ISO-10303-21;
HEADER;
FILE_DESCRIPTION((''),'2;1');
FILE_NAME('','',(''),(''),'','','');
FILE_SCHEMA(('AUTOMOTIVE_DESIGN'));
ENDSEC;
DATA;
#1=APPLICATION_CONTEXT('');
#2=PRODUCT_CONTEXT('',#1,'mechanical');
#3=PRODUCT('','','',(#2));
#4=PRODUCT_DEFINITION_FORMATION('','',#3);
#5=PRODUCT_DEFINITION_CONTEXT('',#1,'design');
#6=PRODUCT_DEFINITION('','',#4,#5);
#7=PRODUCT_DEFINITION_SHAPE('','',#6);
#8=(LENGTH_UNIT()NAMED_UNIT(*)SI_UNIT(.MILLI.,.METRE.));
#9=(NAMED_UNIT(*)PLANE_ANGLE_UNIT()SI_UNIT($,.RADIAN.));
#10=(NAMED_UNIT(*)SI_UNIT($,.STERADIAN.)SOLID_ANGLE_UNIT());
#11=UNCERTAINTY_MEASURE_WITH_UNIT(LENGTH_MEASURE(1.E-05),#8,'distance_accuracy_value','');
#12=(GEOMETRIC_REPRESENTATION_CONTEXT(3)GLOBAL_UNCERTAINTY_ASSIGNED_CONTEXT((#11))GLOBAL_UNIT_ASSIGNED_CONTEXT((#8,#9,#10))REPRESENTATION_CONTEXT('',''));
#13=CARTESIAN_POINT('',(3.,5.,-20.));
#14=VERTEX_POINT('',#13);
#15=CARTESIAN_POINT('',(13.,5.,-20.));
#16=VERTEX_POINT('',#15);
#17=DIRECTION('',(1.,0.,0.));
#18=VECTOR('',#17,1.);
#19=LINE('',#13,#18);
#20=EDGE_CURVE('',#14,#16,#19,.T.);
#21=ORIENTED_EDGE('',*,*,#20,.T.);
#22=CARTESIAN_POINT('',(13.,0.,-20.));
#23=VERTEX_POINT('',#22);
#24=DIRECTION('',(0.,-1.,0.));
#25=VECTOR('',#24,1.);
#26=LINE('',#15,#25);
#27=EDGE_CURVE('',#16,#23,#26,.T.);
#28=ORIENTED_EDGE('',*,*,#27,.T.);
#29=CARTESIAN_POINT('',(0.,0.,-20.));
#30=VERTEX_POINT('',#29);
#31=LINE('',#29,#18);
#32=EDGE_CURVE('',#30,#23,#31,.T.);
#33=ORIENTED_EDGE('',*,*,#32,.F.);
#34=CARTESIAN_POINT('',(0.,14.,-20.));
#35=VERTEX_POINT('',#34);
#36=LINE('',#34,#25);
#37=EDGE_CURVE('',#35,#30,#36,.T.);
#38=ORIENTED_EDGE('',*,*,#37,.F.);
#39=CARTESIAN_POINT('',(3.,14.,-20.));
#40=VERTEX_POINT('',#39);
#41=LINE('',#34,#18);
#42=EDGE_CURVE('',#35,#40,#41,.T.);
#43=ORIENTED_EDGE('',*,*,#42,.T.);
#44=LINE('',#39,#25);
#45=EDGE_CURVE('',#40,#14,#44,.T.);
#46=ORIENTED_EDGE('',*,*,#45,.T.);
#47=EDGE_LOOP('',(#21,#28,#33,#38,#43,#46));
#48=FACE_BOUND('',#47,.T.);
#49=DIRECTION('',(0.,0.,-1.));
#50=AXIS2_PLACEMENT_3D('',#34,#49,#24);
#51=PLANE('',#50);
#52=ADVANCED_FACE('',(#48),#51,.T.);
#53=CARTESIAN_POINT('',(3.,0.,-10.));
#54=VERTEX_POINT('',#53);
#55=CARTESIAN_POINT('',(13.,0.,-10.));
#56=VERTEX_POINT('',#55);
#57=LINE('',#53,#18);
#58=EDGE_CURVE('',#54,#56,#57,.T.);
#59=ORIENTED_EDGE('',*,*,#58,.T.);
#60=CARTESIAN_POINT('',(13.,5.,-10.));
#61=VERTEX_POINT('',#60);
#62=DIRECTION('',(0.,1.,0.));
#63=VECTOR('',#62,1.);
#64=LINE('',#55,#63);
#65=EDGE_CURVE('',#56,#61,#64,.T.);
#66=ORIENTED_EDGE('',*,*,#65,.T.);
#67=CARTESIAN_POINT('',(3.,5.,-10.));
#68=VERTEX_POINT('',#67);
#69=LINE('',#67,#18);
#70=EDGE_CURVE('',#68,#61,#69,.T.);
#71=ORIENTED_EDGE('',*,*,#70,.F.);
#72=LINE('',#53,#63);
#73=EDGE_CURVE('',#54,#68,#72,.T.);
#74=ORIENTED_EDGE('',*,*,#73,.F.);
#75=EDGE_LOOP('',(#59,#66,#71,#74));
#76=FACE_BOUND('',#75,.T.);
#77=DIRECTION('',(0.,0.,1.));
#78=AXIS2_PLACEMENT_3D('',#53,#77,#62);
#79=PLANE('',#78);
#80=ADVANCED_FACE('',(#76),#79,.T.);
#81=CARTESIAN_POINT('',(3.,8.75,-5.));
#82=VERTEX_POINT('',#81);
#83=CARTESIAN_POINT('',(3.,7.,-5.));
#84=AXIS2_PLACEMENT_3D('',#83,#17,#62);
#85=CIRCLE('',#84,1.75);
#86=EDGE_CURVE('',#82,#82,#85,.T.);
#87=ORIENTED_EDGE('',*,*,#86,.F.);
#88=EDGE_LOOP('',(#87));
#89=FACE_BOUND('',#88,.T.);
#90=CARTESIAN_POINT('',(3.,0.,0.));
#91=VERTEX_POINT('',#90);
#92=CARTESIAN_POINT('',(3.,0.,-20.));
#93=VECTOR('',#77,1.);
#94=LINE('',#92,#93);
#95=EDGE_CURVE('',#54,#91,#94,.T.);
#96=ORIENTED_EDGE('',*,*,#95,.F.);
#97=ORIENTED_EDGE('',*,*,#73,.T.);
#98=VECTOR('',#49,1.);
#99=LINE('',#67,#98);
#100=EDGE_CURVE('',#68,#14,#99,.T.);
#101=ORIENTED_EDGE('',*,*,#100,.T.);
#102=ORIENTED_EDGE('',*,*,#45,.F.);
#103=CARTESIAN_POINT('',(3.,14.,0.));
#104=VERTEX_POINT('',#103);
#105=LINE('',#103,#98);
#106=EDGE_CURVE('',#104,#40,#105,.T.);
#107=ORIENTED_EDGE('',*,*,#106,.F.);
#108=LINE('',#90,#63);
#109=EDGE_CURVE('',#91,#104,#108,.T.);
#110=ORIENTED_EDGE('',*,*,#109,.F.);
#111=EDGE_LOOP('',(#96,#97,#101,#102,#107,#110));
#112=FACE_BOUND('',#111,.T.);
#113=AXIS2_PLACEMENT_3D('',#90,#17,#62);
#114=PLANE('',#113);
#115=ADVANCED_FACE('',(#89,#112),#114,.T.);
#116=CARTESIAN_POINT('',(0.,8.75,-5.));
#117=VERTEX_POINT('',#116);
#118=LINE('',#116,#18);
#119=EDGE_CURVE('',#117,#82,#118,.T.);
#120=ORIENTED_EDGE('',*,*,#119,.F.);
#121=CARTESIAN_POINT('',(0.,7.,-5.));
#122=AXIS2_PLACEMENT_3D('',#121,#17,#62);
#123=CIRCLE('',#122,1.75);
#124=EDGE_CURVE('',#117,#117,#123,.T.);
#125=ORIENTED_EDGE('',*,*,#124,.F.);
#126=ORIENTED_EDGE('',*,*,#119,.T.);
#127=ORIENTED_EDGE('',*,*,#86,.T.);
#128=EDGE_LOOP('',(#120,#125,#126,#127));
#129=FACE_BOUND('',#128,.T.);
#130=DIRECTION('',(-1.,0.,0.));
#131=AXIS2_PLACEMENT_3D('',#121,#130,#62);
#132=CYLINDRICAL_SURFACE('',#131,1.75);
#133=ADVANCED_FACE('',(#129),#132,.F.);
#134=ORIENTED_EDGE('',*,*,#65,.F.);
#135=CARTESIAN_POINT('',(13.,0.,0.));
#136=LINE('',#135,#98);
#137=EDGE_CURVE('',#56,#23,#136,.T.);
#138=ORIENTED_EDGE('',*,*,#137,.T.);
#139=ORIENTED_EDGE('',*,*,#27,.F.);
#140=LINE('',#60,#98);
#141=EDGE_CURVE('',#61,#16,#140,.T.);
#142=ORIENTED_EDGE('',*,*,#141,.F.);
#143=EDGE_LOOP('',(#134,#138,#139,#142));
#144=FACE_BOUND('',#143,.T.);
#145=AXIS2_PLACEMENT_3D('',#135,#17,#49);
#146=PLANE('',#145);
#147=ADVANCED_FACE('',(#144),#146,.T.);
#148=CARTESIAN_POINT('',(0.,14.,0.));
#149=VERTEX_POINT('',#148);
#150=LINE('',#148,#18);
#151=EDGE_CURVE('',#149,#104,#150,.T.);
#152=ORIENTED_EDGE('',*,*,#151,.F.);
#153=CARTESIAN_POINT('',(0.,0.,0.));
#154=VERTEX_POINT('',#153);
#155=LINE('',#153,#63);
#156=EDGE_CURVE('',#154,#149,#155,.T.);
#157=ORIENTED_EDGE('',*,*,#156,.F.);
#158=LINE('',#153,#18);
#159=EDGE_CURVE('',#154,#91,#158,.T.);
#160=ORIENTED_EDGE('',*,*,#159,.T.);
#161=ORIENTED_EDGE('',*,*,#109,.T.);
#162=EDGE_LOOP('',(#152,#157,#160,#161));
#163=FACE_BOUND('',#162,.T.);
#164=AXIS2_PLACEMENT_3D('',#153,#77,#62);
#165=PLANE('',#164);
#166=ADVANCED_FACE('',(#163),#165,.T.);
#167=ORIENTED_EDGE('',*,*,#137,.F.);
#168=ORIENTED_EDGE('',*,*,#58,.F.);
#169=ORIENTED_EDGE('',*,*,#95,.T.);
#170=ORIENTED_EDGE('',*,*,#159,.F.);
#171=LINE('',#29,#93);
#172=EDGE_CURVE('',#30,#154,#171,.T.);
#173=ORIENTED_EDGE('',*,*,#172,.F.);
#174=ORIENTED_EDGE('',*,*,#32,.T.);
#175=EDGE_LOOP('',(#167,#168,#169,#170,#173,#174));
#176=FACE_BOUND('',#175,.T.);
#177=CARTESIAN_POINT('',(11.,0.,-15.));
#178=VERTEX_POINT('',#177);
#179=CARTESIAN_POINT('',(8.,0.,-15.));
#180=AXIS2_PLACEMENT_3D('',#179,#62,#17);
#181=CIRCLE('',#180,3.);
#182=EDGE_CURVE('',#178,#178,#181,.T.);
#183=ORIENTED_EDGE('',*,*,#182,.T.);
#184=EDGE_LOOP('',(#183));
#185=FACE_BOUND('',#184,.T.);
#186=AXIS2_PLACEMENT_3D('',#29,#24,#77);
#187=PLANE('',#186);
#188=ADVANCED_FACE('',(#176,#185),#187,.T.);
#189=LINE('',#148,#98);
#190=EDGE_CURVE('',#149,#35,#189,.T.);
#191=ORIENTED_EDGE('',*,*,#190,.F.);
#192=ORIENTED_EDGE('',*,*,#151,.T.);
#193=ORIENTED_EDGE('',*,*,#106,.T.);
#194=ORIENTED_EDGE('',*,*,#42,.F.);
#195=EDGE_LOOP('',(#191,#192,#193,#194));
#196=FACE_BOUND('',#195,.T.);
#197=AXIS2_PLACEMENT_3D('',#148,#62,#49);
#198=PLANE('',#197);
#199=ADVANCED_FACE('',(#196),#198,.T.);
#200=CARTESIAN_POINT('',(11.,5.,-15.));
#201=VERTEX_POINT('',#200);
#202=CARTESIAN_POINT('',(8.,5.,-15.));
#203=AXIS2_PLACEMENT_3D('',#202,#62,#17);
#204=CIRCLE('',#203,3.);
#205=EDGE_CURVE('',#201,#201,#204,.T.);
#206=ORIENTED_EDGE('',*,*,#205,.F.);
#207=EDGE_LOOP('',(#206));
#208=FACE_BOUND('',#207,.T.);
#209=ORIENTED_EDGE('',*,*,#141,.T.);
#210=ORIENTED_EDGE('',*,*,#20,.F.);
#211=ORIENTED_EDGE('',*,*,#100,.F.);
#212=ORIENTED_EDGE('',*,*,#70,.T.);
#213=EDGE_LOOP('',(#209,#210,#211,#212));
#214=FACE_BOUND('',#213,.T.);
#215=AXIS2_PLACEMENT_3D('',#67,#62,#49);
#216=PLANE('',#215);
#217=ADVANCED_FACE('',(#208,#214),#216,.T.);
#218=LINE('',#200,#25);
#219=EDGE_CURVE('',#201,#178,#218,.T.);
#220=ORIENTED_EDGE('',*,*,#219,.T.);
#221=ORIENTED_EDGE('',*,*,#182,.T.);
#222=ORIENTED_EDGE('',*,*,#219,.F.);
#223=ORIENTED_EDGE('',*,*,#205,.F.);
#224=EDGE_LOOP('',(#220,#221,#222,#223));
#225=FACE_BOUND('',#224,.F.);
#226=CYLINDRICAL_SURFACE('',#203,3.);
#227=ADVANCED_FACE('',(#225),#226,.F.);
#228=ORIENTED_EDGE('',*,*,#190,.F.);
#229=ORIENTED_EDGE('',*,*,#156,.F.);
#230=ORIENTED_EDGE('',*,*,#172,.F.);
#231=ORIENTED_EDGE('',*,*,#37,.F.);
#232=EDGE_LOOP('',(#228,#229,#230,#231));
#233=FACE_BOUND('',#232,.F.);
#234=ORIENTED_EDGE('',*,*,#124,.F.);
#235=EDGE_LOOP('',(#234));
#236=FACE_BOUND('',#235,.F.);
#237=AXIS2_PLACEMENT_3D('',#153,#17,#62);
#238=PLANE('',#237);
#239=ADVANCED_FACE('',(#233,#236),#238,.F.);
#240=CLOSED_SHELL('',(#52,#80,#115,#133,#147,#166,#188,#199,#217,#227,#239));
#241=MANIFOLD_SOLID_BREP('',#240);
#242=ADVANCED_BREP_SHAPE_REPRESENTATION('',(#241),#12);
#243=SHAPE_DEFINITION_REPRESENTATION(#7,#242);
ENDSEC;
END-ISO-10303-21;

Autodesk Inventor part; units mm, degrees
ref_plane "YZ Plane" through (0, 0, 0) normal (1, 0, 0) x (0, 1, 0)
ref_plane "XZ Plane" through (0, 0, 0) normal (0, 1, 0) x (-1, 0, 0)
ref_plane "XY Plane" through (0, 0, 0) normal (0, 0, 1) x (1, 0, 0)
sketch "Sketch2" plane through (0, 0, 0) normal (1, 0, 0) x (0, 1, 0)
  line L0 (0, 0) -> (14, 0)
  line L1 (14, 0) -> (14, -20)
  line L2 (14, -20) -> (0, -20)
  line L3 (0, -20) -> (0, 0)
  circle A0 centre (7, -5) radius 1.75
  circle A1 centre (7, -5) radius 3.5 construction
  point P0 (0, -10)
  point P1 (7, -20)
  dimension "d11" = 20
  dimension "d24" = 14
  dimension "d27" = 3.5
  dimension "d28" = 7
  dimension "d29" = 5
extrude "Extrusion1" add sketch "Sketch2" along normal blind 3
sketch "Sketch3" plane through (3, 0, 0) normal (1, 0, 0) x (0, 0, -1)
  line L0 (0, 0) -> (20, 0) projected
  line L1 (20, 0) -> (10, 0)
  line L2 (10, 0) -> (10, 5)
  line L3 (10, 5) -> (20, 5)
  line L4 (20, 5) -> (20, 0)
  point P0 (10, 0)
  dimension "d12" = 5
  dimension "d13" = 10
extrude "Extrusion2" add sketch "Sketch3" along normal blind 10
sketch "Sketch4" plane through (3, 5, -10) normal (0, 1, 0) x (1, 0, 0)
  circle A0 centre (5, 5) radius 3
  line L0 (10, 10) -> (10, 0) projected
  point P0 (-3, -10)
  point P1 (10, 5)
  dimension "d16" = 6
  dimension "d17" = 5
extrude "Extrusion3" cut sketch "Sketch4" against normal through all
properties part number "IRSensorMount"
